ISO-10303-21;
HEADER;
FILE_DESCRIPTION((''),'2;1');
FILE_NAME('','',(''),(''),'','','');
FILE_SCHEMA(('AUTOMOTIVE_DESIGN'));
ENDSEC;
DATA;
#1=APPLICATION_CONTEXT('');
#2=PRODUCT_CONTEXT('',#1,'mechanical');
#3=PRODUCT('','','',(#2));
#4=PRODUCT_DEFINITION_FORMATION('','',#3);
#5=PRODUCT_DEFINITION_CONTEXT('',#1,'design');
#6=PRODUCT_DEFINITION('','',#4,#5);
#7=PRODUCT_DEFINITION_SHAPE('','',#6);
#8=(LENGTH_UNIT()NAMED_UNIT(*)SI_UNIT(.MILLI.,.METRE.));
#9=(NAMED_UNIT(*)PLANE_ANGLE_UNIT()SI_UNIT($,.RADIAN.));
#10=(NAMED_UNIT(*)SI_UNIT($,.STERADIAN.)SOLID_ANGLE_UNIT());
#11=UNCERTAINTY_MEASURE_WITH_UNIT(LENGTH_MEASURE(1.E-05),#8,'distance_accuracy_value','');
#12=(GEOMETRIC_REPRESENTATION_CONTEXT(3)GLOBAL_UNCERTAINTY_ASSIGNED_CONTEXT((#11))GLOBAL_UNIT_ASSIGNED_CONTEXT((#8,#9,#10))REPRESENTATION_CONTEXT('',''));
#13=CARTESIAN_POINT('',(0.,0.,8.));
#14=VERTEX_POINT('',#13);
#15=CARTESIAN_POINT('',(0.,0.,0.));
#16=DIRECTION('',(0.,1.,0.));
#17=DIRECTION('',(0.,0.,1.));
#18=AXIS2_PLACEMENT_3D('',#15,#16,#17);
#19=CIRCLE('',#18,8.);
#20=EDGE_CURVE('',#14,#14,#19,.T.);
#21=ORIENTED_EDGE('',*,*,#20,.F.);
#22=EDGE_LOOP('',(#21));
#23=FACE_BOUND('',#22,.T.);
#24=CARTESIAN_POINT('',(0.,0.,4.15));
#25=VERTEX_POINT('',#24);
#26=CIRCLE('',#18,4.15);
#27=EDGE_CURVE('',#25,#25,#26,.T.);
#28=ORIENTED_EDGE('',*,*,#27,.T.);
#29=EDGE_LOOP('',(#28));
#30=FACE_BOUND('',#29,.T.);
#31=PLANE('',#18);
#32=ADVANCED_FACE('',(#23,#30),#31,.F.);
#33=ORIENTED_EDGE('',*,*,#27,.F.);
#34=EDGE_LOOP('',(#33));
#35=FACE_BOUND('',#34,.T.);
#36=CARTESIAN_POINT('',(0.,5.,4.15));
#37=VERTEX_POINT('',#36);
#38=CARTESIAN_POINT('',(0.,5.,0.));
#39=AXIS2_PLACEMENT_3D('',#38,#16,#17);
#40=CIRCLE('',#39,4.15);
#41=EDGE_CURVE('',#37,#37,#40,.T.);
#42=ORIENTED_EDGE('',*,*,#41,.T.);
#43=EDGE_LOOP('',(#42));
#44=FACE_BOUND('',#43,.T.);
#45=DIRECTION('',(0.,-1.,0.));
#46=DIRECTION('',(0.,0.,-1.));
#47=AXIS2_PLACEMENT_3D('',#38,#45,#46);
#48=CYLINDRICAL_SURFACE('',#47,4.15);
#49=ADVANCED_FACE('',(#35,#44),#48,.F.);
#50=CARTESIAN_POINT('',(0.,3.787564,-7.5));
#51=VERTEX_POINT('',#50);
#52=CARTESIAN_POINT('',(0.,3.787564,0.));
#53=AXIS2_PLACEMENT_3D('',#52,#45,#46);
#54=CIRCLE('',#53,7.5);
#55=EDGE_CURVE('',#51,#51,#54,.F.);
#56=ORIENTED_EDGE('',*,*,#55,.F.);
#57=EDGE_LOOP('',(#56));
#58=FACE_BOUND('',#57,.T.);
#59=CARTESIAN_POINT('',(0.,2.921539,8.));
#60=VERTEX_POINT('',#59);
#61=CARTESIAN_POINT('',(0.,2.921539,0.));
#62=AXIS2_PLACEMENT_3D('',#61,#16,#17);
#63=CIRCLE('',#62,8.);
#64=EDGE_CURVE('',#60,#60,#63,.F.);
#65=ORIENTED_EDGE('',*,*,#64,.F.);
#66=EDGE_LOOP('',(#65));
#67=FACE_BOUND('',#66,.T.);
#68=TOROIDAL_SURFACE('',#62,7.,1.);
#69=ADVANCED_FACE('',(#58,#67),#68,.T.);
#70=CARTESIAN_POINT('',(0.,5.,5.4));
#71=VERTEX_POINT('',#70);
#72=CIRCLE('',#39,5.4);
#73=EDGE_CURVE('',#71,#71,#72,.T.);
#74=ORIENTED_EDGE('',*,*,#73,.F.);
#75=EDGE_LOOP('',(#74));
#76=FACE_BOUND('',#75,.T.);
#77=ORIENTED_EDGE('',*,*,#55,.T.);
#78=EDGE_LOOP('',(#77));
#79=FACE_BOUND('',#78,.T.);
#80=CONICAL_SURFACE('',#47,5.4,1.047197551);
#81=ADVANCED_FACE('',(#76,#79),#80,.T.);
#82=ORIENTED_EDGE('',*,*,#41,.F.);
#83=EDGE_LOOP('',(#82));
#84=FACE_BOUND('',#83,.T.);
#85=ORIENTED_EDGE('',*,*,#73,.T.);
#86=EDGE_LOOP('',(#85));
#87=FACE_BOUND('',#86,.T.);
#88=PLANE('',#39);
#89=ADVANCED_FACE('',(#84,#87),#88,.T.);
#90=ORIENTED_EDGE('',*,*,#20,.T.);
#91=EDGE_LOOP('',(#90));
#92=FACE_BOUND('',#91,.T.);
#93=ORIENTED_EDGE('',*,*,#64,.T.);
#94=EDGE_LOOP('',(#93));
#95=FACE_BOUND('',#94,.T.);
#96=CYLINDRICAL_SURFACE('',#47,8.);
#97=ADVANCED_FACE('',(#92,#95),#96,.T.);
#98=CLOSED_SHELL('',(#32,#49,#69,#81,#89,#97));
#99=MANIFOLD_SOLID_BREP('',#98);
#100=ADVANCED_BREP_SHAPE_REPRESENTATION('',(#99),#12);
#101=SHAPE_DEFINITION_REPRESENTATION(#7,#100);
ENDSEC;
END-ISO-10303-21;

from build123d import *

# Parameters (mm, degrees)
SKETCH1_R           = 8
SKETCH1_R_2         = 4.15
BOSS_EXTRUDE1_DEPTH = 5
CHAMFER1_SIZE       = 2.6
CHAMFER1_SIZE2      = 1.5011107
FILLET1_R           = 1


with BuildPart() as part:
    # Sketch1 → Boss-Extrude1 (new body)
    with BuildSketch(Plane(origin=(0, 0, 0), x_dir=(1, 0, 0), z_dir=(0, 1, 0))):
        Circle(SKETCH1_R)
        Circle(SKETCH1_R_2, mode=Mode.SUBTRACT)
    extrude(amount=BOSS_EXTRUDE1_DEPTH)

    # Chamfer1
    chamfer1_edges = [part.edges().sort_by_distance(p)[0] for p in [
        (-8, 5, 0),
    ]]
    chamfer1_side = [part.faces().sort_by_distance(p)[0] for p in [
        (-7.77372583, 5, 0),
    ]]
    chamfer(chamfer1_edges, length=CHAMFER1_SIZE, length2=CHAMFER1_SIZE2, reference=chamfer1_side[0])

    # Fillet1
    fillet1_edges = [part.edges().sort_by_distance(p)[0] for p in [
        (-8, 3.4988893, 0),
    ]]
    fillet(fillet1_edges, radius=FILLET1_R)


solid = part.part
